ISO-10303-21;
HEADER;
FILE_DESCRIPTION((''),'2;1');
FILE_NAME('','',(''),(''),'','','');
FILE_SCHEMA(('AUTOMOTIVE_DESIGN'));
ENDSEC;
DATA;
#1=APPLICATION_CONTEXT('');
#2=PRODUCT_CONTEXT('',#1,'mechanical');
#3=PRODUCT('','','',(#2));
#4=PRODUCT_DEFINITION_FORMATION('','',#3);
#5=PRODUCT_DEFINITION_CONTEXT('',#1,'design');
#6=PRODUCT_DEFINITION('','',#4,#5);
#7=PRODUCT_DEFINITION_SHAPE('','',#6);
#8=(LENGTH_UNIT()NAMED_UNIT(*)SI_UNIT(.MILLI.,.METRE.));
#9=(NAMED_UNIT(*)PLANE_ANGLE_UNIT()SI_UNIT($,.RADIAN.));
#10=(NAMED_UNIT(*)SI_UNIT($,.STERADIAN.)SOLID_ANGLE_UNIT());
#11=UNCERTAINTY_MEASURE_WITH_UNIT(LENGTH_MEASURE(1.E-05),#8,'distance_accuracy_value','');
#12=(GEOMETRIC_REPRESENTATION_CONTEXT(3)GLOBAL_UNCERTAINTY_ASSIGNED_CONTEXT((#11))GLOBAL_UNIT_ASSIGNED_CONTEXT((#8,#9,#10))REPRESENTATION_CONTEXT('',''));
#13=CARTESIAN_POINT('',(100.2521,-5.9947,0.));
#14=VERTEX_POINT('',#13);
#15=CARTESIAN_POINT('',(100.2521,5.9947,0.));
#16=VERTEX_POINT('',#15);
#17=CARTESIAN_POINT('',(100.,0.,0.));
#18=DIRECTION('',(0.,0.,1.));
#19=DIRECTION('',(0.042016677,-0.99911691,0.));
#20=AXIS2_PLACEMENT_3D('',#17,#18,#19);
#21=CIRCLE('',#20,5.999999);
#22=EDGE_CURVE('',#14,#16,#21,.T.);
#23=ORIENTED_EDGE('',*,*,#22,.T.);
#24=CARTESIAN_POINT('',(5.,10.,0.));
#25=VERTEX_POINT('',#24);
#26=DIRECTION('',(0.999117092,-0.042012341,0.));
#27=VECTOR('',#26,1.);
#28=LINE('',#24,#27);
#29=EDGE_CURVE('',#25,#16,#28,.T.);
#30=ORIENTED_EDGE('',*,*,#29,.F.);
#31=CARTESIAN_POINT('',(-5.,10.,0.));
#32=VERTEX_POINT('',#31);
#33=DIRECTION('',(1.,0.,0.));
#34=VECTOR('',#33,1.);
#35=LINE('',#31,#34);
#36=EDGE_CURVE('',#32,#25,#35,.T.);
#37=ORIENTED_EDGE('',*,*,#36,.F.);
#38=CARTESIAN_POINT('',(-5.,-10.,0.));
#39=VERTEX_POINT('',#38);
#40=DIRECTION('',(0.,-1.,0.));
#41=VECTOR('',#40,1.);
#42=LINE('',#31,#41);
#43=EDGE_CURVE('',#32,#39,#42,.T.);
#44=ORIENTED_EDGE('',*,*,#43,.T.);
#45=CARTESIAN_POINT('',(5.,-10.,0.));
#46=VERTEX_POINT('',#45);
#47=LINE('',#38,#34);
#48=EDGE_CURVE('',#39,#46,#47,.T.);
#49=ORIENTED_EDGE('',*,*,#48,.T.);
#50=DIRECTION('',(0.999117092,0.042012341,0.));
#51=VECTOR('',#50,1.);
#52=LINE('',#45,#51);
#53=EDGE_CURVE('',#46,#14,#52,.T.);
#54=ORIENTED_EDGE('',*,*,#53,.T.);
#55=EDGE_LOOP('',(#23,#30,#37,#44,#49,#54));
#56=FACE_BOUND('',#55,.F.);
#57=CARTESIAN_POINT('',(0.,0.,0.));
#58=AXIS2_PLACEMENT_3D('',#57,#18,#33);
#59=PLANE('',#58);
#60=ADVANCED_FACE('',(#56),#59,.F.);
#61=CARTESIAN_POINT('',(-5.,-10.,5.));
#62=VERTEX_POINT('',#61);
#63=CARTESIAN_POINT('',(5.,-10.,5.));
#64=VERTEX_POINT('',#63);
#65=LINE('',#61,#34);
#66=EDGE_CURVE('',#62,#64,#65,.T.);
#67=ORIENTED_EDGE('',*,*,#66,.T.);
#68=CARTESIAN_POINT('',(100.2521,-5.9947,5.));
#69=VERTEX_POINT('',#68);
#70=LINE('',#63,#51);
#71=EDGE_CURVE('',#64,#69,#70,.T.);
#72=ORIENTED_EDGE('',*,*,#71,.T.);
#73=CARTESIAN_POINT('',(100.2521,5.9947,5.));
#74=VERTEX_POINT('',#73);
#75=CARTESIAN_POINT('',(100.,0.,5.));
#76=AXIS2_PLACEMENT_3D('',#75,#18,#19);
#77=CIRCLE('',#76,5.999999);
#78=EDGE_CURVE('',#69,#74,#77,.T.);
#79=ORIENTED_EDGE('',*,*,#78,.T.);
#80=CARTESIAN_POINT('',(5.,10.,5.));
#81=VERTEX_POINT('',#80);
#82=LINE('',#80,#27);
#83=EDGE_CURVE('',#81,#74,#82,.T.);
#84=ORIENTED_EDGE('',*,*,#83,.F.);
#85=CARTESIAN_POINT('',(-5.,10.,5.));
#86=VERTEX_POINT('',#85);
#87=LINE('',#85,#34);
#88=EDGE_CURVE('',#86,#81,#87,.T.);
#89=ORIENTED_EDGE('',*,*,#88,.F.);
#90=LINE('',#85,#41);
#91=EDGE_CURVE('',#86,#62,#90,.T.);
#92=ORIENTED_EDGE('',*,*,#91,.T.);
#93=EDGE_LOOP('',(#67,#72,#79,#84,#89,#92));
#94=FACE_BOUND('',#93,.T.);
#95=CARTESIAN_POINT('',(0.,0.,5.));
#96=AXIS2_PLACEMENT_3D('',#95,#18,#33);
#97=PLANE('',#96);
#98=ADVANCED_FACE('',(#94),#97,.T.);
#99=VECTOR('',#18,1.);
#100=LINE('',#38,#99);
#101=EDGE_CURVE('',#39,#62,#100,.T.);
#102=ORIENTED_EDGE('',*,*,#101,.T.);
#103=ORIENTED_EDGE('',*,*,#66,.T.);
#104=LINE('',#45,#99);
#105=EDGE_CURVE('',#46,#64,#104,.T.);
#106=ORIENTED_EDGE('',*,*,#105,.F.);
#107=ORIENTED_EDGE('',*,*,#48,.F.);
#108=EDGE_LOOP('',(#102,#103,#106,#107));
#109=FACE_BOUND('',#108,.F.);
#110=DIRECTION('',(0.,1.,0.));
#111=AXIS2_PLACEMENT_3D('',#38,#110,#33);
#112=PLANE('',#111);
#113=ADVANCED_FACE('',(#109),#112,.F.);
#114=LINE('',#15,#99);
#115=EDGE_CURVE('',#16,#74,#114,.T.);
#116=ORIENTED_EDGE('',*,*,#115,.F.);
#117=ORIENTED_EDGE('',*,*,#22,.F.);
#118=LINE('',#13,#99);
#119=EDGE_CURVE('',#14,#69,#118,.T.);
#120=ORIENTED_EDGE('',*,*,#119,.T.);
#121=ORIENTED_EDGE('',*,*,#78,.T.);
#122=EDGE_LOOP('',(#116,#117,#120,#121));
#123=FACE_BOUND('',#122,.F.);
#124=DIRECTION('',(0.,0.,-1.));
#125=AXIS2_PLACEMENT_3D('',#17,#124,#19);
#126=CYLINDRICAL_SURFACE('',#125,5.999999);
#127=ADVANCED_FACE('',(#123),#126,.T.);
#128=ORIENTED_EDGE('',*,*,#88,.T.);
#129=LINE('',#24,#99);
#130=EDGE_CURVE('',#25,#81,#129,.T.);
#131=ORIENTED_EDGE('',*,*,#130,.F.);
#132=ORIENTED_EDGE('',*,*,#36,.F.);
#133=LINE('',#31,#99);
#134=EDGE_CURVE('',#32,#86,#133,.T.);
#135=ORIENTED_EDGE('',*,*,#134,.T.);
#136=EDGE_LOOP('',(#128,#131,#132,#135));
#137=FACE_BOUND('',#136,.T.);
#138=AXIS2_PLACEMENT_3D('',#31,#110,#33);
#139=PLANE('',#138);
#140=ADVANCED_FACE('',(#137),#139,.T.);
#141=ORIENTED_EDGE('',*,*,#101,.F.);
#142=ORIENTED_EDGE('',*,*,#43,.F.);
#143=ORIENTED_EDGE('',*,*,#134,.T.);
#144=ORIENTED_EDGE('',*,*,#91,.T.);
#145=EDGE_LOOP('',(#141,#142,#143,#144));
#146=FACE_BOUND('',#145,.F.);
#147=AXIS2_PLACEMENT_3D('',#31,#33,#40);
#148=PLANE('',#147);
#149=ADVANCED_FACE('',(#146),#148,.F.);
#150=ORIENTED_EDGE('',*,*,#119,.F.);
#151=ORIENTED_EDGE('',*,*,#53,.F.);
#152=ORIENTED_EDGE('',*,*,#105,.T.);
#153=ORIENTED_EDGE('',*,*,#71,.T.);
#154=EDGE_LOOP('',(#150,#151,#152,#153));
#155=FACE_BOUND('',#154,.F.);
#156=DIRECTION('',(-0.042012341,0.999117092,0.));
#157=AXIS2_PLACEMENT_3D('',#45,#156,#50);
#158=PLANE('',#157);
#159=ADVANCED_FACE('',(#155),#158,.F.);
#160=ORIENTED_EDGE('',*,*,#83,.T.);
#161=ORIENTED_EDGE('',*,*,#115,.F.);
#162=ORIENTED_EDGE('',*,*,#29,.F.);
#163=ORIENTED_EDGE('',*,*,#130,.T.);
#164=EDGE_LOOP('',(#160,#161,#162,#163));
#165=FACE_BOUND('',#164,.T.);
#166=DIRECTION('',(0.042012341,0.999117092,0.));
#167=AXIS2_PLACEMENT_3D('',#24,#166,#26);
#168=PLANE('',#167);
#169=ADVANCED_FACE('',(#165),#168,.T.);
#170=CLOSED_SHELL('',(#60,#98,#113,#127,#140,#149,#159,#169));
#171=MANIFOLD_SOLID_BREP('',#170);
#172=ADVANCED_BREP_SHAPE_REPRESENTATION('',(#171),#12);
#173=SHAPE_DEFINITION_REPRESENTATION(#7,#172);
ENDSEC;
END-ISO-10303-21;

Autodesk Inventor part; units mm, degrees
ref_plane "YZ Plane" through (0, 0, 0) normal (1, 0, 0) x (0, 1, 0)
ref_plane "XZ Plane" through (0, 0, 0) normal (0, 1, 0) x (-1, 0, 0)
ref_plane "XY Plane" through (0, 0, 0) normal (0, 0, 1) x (1, 0, 0)
sketch "スケッチ1" plane through (0, 0, 0) normal (0, 0, 1) x (1, 0, 0)
  circle A0 centre (0, 5) radius 1.55
  circle A1 centre (0, -5) radius 1.55
  line L0 (0, 5) -> (0, -5) construction
  line L1 (0, 0) -> (100, 0) construction
  circle A2 centre (100, 0) radius 1.55
  line L2 (-5, 10) -> (-5, -10)
  line L3 (-5, -10) -> (5, -10)
  line L4 (5, -10) -> (100.2521, -5.9947)
  line L5 (-5, 10) -> (5, 10)
  line L6 (5, 10) -> (100.2521, 5.9947)
  arc A3 (100.2521, -5.9947) -> (100.2521, 5.9947) centre (100, 0) ccw
  circle A4 centre (0, 5) radius 3 construction
  circle A5 centre (0, 5) radius 5 construction
  line L7 (5, 10) -> (5, -10) construction
  point P0 (-5, 0)
  dimension "d0" = 10
  dimension "d1" = 3.1
  dimension "d2" = 3.1
  dimension "d3" = 100
  dimension "d4" = 6
  dimension "d5" = 6
  dimension "d6" = 2
extrude "押し出し1" add sketch "スケッチ1" along normal blind 5
sketch "スケッチ5" plane through (0, 0, 5) normal (0, 0, 1) x (1, 0, 0)
  circle A0 centre (100, 0) radius 1.55 projected
  circle A1 centre (100, 0) radius 1.55
  circle A2 centre (0, -5) radius 1.55 projected
  circle A3 centre (0, -5) radius 1.55
  circle A4 centre (0, 5) radius 1.55 projected
  circle A5 centre (0, 5) radius 1.55
  point P0 (0, 0)
extrude "押し出し5" add sketch "スケッチ5" against normal up to surface (5 mm away)
properties part number "胴体_サブフレーム_1_12" material "アセタール樹脂、黒"
